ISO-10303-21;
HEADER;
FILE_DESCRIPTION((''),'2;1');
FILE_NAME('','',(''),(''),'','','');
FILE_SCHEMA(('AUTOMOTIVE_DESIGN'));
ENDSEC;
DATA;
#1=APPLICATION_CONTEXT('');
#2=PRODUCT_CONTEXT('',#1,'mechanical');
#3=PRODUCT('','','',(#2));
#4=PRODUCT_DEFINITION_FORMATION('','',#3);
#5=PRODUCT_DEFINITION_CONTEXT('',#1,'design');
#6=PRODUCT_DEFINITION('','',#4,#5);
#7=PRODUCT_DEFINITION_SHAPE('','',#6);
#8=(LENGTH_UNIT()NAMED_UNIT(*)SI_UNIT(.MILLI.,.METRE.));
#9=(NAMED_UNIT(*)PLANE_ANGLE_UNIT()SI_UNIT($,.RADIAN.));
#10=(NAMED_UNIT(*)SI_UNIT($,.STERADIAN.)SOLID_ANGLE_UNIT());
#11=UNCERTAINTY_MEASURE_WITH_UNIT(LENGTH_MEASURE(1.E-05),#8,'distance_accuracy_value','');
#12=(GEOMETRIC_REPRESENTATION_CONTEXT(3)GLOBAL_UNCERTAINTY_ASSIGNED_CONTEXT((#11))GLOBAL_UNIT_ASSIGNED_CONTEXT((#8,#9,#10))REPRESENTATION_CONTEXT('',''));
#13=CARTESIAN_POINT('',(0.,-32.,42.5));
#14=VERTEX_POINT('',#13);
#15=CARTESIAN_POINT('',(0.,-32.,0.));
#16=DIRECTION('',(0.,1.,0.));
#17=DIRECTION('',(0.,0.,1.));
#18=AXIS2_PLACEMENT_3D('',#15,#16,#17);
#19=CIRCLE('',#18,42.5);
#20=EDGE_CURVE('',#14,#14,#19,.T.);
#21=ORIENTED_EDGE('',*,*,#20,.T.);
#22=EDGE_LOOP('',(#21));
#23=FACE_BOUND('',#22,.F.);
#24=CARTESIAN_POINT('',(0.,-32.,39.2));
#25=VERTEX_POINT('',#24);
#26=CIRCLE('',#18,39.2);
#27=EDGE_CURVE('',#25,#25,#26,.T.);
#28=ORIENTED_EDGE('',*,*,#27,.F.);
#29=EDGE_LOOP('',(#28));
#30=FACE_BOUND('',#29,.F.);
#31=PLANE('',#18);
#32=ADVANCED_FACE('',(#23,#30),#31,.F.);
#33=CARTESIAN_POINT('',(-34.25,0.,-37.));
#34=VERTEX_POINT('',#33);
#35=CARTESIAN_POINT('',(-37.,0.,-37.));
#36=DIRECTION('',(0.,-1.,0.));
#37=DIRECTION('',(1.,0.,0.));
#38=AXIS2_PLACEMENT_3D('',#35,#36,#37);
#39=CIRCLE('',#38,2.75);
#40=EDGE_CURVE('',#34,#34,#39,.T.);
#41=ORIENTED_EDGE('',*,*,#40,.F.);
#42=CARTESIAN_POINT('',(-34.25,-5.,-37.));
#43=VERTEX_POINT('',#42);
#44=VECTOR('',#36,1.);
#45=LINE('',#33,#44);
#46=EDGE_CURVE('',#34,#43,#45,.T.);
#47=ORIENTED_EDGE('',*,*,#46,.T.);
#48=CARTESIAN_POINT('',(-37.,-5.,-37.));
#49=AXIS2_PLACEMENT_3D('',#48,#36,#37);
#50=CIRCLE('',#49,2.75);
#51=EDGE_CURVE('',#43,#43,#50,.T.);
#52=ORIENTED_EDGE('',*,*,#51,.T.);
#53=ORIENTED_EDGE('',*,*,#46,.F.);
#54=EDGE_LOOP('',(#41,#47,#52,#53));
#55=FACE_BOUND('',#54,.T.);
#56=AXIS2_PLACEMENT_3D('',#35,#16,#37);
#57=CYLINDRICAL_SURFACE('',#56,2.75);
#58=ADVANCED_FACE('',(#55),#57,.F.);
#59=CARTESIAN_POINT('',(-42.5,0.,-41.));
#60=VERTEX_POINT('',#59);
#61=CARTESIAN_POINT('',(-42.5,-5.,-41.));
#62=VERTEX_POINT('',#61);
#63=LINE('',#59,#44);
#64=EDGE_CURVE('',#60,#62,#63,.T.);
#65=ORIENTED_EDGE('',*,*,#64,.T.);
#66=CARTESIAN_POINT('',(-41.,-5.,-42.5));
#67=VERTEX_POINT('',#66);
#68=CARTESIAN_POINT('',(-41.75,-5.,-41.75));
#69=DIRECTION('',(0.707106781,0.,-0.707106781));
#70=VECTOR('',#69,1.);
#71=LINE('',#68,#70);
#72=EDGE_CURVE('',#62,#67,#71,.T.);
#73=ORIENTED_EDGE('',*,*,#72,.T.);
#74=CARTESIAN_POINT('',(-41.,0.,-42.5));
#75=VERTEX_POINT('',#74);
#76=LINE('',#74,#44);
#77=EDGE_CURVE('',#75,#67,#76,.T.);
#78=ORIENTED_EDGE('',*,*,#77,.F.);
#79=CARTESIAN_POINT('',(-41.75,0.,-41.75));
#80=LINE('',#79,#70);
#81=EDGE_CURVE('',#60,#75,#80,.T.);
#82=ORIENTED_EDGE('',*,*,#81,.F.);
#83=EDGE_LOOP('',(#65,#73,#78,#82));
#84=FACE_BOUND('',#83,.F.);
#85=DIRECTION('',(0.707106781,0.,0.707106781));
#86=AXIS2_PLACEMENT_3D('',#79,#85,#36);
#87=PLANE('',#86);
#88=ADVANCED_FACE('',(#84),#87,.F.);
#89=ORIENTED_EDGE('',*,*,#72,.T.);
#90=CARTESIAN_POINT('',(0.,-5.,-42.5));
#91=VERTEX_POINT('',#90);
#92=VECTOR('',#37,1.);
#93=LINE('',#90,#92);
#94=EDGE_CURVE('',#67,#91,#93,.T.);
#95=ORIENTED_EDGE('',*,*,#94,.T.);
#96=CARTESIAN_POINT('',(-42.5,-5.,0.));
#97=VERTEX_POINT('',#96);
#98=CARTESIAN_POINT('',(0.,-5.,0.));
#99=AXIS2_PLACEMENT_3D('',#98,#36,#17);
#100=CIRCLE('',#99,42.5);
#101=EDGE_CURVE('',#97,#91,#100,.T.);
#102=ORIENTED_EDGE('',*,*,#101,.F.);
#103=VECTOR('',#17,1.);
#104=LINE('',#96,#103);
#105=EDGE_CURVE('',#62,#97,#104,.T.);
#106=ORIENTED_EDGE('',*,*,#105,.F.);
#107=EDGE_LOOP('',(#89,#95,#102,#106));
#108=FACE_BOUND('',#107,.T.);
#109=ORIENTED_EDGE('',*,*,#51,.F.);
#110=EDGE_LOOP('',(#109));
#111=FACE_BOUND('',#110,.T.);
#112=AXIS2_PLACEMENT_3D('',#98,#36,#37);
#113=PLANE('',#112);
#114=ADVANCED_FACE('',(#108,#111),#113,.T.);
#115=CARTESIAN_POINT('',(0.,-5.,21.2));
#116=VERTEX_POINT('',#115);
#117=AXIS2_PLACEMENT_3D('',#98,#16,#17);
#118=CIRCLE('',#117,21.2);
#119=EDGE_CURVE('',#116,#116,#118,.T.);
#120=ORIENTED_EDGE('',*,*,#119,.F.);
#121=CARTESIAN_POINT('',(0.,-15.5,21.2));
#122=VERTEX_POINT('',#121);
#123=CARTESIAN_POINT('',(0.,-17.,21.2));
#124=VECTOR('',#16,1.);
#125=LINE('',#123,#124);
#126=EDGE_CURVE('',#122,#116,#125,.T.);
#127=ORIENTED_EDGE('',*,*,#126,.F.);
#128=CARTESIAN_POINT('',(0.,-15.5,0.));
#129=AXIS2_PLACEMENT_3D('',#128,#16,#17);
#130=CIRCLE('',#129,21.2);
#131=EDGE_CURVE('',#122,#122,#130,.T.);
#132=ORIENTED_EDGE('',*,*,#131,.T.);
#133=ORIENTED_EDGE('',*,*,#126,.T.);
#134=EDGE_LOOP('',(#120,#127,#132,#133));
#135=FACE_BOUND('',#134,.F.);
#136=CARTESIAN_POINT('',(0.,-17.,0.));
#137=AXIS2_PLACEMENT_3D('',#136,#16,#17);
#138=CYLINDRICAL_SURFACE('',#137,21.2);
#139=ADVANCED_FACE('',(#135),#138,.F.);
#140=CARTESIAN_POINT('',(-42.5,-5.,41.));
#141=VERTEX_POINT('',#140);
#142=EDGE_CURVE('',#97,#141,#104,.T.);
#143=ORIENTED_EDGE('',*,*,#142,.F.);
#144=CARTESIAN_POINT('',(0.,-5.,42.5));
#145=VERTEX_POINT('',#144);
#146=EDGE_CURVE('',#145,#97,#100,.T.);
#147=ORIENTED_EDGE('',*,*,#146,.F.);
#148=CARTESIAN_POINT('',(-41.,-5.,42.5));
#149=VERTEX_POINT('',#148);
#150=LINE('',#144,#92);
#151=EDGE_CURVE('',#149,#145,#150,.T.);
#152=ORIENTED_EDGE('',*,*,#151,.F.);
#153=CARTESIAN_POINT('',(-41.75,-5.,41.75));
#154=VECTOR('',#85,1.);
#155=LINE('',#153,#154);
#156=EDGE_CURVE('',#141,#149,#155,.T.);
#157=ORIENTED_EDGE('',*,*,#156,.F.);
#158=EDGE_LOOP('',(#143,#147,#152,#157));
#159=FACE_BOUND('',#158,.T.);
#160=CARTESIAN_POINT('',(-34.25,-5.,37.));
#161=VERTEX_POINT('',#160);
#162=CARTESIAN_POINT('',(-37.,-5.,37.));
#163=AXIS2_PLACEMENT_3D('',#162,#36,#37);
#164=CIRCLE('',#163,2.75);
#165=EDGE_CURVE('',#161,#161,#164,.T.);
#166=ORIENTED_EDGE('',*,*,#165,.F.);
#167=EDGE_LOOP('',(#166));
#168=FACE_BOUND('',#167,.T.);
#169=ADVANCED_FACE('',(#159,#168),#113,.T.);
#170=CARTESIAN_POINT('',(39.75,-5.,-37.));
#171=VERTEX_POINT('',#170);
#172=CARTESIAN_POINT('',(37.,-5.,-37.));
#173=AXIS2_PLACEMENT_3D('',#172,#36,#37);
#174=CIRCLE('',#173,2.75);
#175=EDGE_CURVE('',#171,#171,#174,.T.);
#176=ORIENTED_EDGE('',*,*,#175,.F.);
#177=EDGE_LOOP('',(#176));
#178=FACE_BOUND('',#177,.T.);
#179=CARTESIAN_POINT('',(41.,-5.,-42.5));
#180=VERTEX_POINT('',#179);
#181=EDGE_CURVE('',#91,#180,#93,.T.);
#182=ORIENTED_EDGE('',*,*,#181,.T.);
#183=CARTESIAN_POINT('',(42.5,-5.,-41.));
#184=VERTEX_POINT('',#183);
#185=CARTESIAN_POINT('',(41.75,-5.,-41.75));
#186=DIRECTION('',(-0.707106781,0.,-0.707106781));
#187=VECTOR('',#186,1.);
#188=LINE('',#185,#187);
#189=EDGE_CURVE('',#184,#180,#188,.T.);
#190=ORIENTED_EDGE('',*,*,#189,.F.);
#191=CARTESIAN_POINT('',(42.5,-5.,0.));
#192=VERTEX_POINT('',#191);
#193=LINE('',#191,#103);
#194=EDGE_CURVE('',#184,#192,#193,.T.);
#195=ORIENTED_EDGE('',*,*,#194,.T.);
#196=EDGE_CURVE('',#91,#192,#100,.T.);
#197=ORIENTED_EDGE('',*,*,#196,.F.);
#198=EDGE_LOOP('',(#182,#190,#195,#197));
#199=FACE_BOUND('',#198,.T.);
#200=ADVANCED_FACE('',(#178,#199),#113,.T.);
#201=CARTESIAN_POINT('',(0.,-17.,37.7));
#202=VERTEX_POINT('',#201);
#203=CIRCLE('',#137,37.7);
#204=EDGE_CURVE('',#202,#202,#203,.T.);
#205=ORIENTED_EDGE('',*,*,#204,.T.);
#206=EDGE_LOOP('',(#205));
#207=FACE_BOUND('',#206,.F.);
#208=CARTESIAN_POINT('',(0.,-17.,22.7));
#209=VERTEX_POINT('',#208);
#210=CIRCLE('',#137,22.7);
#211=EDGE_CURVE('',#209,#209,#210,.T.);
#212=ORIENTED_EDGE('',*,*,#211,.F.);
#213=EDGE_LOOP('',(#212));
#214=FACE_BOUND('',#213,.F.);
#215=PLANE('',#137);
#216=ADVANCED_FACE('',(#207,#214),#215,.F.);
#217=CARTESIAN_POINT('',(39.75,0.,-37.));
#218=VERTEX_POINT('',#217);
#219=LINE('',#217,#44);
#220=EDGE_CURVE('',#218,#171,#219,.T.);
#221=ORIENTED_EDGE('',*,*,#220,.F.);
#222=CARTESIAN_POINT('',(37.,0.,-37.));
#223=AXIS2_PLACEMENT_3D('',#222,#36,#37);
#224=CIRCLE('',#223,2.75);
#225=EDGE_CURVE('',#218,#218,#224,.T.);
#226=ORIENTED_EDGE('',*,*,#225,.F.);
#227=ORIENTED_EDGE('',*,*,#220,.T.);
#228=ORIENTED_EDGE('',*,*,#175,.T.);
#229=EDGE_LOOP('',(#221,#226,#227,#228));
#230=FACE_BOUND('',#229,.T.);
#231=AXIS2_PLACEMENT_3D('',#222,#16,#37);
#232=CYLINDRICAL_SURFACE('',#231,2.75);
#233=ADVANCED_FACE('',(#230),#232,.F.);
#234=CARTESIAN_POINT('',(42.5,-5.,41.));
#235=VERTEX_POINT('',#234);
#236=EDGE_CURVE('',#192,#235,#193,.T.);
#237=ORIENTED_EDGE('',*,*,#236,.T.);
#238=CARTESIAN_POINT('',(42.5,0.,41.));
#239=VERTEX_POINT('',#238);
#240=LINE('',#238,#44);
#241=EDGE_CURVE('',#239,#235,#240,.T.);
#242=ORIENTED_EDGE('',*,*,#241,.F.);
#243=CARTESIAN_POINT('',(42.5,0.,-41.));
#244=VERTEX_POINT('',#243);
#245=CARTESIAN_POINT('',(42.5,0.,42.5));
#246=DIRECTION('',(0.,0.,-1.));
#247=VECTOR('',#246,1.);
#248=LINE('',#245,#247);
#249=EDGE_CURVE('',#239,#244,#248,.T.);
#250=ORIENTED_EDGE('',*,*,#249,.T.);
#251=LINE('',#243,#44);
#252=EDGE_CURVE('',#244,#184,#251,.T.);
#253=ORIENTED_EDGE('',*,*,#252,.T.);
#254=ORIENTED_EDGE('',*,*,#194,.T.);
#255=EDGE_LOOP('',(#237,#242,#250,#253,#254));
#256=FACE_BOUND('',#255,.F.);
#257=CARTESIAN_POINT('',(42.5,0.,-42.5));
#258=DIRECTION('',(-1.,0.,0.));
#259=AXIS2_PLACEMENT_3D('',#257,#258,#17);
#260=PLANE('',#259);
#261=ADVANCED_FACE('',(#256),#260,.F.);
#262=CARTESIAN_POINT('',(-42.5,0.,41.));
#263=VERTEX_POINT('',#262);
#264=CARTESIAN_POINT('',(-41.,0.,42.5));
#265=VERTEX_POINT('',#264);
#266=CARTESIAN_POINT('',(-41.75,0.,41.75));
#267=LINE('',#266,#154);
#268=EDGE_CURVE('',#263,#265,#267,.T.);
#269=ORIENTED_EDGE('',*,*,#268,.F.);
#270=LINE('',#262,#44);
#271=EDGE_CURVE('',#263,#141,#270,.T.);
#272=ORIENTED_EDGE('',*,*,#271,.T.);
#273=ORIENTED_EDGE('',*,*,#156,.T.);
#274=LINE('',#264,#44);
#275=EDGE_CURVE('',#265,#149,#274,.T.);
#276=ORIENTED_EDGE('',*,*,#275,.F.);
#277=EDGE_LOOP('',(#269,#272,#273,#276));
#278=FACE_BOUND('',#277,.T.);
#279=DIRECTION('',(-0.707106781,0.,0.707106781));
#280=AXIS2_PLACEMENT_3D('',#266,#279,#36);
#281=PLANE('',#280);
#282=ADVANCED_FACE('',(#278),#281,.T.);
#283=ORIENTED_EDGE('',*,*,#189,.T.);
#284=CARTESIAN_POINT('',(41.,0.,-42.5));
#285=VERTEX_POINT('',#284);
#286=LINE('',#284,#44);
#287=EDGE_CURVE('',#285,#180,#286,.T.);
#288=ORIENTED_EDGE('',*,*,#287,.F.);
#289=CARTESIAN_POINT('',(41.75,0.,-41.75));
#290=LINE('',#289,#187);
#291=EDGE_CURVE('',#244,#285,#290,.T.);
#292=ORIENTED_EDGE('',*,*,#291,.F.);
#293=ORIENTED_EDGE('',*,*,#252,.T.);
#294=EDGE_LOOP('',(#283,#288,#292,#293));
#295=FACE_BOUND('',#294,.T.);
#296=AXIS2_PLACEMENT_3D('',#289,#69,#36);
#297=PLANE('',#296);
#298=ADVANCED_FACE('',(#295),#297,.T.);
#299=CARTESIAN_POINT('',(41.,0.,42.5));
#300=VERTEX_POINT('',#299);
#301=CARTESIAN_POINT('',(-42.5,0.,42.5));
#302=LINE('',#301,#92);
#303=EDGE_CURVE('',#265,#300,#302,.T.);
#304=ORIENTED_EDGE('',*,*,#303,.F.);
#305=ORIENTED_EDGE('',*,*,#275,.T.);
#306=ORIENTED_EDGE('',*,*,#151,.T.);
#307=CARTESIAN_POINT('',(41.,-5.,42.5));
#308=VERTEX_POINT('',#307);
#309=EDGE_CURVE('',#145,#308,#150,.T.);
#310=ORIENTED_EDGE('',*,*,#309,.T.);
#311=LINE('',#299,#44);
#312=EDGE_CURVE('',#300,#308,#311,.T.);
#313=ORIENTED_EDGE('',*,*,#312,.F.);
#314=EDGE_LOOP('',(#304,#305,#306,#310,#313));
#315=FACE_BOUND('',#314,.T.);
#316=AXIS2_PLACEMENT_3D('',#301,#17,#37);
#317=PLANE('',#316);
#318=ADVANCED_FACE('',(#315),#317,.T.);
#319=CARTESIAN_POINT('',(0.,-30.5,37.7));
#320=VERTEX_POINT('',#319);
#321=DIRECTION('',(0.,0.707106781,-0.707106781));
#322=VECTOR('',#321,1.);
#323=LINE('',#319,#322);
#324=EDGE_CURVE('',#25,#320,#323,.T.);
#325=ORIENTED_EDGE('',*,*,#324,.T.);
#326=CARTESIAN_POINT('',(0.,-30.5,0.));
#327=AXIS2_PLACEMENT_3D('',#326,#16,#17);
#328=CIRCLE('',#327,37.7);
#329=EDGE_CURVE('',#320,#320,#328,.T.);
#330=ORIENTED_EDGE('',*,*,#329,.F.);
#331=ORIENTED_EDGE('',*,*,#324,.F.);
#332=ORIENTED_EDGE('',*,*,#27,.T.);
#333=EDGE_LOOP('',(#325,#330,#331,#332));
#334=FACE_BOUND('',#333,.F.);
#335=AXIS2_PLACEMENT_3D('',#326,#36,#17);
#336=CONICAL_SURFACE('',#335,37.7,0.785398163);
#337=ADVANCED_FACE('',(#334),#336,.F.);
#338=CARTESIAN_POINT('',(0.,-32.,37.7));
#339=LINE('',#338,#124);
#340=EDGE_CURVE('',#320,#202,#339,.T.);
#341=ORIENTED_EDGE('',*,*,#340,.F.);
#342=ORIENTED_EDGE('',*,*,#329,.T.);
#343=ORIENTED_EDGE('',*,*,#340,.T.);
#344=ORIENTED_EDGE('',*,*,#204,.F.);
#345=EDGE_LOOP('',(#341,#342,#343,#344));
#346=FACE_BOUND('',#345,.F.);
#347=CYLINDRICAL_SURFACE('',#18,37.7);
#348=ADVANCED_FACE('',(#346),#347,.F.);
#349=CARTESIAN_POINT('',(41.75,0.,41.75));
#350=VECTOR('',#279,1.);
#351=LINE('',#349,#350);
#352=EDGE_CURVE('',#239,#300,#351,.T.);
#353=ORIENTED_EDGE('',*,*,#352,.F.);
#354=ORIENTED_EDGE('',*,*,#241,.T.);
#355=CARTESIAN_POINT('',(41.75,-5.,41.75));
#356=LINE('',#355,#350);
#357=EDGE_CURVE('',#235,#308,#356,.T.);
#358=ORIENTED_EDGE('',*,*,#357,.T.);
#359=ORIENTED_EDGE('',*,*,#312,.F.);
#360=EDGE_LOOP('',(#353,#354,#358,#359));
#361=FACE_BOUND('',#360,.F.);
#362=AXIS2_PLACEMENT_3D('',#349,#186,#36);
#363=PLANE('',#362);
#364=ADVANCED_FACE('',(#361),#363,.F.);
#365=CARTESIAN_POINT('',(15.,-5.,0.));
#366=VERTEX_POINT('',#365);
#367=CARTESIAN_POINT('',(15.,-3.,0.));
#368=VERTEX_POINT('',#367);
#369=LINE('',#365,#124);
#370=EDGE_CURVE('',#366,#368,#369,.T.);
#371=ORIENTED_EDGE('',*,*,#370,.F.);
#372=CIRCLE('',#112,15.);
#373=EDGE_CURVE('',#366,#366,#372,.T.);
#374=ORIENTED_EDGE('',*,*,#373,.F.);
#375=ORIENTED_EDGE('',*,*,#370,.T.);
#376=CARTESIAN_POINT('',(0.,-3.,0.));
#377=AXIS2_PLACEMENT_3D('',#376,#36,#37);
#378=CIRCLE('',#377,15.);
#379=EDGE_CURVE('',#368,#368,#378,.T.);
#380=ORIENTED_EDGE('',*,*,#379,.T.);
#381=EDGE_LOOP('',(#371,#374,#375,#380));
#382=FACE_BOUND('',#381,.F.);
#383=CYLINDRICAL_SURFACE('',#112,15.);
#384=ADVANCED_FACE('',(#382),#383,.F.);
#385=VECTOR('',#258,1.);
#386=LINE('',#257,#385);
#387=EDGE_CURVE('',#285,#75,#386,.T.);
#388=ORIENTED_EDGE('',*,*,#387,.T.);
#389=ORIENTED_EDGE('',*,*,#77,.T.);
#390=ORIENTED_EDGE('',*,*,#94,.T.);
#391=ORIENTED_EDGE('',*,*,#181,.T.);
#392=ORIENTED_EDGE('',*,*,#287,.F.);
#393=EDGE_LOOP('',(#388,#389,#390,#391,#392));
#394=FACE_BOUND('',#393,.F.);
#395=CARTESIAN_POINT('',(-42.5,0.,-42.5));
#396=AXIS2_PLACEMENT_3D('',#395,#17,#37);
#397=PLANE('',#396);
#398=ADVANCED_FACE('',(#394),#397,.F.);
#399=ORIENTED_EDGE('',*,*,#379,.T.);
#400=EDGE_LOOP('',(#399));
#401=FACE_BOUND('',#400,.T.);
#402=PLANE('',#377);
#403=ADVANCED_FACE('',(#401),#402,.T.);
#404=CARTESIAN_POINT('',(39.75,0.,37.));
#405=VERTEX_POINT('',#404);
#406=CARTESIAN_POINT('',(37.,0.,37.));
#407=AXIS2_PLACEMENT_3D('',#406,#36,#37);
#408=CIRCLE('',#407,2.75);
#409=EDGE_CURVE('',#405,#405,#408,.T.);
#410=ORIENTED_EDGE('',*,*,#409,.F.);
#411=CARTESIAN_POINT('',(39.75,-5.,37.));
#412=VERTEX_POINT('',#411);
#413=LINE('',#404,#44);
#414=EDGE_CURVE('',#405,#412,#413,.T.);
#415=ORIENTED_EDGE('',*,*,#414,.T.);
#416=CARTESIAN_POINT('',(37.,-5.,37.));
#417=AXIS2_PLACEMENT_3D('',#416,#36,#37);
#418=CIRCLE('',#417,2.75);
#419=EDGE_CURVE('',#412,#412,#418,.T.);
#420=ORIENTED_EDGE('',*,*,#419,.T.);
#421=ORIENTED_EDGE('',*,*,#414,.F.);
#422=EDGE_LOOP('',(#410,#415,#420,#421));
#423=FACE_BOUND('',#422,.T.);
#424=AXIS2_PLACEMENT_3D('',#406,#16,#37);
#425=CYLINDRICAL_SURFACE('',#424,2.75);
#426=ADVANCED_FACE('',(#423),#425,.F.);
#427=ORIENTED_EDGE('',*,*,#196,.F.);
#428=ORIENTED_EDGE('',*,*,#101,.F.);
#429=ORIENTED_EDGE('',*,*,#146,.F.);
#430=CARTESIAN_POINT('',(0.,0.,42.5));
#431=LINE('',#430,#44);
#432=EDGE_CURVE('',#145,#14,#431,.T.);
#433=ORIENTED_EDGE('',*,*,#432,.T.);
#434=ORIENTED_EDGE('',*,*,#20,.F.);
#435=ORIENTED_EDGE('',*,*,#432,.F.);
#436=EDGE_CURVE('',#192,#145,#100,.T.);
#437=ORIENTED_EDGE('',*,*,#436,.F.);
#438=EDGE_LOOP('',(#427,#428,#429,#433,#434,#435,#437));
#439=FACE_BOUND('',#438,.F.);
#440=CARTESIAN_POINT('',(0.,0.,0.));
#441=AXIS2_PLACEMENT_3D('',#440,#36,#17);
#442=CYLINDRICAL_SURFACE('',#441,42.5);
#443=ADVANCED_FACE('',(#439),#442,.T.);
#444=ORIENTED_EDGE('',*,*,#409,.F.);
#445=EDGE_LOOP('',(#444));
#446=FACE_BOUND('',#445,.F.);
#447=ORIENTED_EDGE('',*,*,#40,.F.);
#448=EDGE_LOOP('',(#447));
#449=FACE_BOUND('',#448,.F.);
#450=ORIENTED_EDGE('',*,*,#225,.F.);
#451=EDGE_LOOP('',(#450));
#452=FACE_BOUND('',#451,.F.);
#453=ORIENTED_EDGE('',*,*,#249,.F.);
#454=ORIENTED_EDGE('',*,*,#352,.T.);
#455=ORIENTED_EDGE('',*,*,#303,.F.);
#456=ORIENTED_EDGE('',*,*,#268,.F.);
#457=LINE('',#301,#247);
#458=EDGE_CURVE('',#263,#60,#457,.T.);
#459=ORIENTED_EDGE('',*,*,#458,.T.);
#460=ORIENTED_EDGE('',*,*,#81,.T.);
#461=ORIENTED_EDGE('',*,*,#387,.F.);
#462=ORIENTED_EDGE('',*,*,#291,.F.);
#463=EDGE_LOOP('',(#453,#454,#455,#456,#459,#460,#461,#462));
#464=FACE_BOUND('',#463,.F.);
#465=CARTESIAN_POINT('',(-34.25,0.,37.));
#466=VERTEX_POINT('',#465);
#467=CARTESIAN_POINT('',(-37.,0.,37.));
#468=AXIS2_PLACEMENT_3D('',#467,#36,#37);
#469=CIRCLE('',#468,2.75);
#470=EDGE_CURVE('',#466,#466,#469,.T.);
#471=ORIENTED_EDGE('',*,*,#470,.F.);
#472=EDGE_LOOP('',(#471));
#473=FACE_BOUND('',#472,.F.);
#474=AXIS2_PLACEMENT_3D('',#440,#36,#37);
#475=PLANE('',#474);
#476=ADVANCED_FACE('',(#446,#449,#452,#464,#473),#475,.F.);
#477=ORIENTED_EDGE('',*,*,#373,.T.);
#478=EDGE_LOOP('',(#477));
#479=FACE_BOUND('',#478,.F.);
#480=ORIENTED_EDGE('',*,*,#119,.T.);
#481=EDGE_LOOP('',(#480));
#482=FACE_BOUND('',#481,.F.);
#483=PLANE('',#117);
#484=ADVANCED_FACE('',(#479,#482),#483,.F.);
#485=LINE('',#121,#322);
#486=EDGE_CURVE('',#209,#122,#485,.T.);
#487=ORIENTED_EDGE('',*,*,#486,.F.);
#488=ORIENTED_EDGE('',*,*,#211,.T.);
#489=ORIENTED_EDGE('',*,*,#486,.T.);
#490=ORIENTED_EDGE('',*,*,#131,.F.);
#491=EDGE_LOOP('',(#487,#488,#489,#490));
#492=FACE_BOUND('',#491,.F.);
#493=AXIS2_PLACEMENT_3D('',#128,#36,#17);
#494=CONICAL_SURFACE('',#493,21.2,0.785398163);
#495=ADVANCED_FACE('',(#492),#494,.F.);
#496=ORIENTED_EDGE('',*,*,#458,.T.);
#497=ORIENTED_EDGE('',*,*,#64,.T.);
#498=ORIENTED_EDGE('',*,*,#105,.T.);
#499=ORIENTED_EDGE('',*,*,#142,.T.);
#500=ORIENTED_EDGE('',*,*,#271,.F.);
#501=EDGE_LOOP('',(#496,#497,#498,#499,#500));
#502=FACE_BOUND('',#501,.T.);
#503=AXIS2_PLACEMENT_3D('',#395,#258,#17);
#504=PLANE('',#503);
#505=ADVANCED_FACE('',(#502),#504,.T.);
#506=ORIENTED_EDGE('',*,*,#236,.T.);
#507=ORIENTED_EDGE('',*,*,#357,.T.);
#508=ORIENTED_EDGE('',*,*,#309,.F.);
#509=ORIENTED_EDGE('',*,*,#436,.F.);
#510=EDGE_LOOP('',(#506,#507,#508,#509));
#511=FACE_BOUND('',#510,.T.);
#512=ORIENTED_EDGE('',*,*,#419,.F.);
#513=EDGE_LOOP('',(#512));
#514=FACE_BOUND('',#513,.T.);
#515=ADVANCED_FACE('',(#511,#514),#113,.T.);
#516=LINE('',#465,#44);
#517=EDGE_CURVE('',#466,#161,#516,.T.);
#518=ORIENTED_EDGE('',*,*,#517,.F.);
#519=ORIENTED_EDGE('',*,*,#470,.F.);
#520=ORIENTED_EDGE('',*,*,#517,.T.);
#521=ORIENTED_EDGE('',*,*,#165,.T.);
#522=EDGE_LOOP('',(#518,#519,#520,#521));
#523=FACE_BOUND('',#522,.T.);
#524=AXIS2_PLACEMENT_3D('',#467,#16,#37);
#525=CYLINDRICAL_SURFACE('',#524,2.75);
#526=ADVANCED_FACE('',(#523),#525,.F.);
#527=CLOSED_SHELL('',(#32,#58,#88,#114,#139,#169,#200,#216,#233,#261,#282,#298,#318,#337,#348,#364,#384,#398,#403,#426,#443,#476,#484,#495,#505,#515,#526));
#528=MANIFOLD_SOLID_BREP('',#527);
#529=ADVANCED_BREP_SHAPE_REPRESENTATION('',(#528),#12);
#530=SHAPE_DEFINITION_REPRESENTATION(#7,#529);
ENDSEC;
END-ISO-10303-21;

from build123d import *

# Parameters (mm, degrees)
F2_W     = 85
F2_H     = 85
F2_R     = 2.75
F3_DEPTH = 5
F4_SIZE  = 1.5
F5_R     = 15
F6_DEPTH = 2


with BuildPart() as f1:
    # F0 (on Right) → F1 (revolve)
    with BuildSketch(Plane.YZ):
        Polygon((-5, 0), (0, 0), (0, 42.5), (-32, 42.5), (-32, 37.7), (-17, 37.7), (-17, 21.2), (-5, 21.2), align=None)
    revolve(axis=Axis((0, -2.5, 0), (0, 1, 0)))

    # F2 (on Front) → F3 (join)
    with BuildSketch(Plane.XZ):
        Rectangle(F2_W, F2_H)
        with Locations((-37, -37)):
            Circle(F2_R, mode=Mode.SUBTRACT)
        with Locations((37, -37)):
            Circle(F2_R, mode=Mode.SUBTRACT)
        with Locations((-37, 37)):
            Circle(F2_R, mode=Mode.SUBTRACT)
        with Locations((37, 37)):
            Circle(F2_R, mode=Mode.SUBTRACT)
    extrude(amount=F3_DEPTH)

    # F4
    f4_edges = [f1.edges().sort_by_distance(p)[0] for p in [
        (0, -32, -37.7),
        (0, -17, -21.2),
        (42.5, -2.5, 42.5),
        (-42.5, -2.5, 42.5),
        (-42.5, -2.5, -42.5),
        (42.5, -2.5, -42.5),
    ]]
    chamfer(f4_edges, length=F4_SIZE)

    # F5 (on face) → F6 (cut)
    with BuildSketch(Plane.XZ.offset(5)):
        Circle(F5_R)
    extrude(amount=-F6_DEPTH, mode=Mode.SUBTRACT)


solid = f1.part
